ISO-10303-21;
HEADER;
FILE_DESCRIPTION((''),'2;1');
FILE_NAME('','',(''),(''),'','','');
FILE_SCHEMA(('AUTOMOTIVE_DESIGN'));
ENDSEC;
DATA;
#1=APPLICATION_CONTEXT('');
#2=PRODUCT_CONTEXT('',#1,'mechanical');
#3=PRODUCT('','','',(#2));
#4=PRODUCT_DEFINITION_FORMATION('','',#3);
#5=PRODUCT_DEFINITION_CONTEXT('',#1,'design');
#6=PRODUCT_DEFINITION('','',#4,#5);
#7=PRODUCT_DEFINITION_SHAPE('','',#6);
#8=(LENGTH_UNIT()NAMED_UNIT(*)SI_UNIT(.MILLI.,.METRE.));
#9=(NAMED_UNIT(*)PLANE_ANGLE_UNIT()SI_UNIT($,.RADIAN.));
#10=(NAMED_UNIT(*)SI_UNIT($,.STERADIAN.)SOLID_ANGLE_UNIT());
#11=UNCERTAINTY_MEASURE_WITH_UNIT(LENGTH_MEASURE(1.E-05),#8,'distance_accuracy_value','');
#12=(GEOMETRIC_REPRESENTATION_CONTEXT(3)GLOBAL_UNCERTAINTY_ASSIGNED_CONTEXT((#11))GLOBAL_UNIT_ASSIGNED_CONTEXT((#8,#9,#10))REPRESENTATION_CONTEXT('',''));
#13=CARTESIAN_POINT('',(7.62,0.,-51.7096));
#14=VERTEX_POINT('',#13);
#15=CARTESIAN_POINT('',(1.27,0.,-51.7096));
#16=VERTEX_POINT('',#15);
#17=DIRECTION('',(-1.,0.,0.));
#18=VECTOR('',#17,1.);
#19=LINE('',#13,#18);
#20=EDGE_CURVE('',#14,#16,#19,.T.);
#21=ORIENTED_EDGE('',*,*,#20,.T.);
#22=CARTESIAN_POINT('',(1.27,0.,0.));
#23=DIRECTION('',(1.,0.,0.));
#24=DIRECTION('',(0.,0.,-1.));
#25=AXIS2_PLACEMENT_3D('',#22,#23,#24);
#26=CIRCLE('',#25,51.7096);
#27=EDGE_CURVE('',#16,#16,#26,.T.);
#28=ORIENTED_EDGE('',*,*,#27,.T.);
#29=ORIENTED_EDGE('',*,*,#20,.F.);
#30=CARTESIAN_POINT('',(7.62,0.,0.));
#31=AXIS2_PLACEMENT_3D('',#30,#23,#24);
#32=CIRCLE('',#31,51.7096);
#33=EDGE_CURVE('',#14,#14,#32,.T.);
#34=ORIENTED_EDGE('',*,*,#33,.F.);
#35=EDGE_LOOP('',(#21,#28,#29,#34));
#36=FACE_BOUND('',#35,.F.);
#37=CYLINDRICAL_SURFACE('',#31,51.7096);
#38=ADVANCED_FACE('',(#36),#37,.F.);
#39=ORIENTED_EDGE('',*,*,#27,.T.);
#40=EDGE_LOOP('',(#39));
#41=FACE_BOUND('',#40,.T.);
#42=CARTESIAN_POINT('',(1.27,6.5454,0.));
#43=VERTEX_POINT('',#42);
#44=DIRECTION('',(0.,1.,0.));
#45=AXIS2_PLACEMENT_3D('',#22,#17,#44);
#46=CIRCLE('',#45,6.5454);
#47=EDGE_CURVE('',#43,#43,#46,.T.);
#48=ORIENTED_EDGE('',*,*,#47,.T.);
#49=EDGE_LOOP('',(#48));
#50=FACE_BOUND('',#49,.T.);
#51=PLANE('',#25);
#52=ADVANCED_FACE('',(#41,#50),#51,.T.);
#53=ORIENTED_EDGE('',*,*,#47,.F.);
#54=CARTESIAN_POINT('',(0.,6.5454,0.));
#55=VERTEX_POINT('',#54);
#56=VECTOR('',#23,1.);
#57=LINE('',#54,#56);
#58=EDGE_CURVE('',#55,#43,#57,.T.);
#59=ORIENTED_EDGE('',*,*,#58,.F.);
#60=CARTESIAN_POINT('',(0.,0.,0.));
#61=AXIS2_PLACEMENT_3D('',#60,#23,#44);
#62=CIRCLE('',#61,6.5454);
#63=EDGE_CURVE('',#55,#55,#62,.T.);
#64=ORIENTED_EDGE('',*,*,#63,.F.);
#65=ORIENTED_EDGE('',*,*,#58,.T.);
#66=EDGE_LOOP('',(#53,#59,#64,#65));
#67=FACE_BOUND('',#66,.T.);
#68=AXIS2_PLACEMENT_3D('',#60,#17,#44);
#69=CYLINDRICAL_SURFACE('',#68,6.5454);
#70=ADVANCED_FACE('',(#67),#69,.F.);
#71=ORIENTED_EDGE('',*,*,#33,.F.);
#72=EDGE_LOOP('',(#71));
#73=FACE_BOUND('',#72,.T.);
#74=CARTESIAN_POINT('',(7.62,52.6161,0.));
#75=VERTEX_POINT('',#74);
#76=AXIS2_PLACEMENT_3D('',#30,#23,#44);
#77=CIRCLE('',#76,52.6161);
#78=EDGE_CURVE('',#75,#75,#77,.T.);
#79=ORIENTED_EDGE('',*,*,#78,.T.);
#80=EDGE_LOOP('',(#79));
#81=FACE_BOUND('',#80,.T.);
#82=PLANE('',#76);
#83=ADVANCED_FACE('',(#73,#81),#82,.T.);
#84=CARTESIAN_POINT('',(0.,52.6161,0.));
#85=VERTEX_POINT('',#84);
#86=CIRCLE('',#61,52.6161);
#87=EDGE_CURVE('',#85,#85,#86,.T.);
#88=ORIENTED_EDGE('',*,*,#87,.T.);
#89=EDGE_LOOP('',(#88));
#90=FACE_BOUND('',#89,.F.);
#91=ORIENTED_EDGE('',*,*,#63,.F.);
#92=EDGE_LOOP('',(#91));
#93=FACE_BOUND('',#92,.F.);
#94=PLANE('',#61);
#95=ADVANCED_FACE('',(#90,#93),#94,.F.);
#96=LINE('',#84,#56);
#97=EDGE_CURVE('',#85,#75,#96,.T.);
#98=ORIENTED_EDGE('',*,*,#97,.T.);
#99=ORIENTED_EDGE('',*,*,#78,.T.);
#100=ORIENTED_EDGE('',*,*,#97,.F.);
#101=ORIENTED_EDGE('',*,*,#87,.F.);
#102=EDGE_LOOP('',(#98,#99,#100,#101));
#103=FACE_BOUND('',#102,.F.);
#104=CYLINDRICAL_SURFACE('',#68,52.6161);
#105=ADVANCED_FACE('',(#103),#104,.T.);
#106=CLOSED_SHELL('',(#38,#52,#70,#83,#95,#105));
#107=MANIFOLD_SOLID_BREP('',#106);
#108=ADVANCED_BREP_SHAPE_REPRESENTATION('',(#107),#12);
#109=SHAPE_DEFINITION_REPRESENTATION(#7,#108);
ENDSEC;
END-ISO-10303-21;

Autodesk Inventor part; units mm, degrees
ref_plane "YZ Plane" through (0, 0, 0) normal (1, 0, 0) x (0, 1, 0)
ref_plane "XZ Plane" through (0, 0, 0) normal (0, 1, 0) x (-1, 0, 0)
ref_plane "XY Plane" through (0, 0, 0) normal (0, 0, 1) x (1, 0, 0)
sketch "Sketch1" plane through (0, 0, 0) normal (1, 0, 0) x (0, 1, 0)
  circle A0 centre (0, 0) radius 52.6161
  circle A1 centre (0, 0) radius 6.5454
  dimension "d0" = 105.2322
extrude "Extrusion1" add sketch "Sketch1" along normal blind 7.62
sketch "Sketch2" plane through (7.62, 0, 0) normal (1, 0, 0) x (0, 0, -1)
  circle A0 centre (0, 0) radius 51.7096
extrude "Extrusion2" cut sketch "Sketch2" against normal blind 6.35
properties part number "LID NEW UPDATED"
